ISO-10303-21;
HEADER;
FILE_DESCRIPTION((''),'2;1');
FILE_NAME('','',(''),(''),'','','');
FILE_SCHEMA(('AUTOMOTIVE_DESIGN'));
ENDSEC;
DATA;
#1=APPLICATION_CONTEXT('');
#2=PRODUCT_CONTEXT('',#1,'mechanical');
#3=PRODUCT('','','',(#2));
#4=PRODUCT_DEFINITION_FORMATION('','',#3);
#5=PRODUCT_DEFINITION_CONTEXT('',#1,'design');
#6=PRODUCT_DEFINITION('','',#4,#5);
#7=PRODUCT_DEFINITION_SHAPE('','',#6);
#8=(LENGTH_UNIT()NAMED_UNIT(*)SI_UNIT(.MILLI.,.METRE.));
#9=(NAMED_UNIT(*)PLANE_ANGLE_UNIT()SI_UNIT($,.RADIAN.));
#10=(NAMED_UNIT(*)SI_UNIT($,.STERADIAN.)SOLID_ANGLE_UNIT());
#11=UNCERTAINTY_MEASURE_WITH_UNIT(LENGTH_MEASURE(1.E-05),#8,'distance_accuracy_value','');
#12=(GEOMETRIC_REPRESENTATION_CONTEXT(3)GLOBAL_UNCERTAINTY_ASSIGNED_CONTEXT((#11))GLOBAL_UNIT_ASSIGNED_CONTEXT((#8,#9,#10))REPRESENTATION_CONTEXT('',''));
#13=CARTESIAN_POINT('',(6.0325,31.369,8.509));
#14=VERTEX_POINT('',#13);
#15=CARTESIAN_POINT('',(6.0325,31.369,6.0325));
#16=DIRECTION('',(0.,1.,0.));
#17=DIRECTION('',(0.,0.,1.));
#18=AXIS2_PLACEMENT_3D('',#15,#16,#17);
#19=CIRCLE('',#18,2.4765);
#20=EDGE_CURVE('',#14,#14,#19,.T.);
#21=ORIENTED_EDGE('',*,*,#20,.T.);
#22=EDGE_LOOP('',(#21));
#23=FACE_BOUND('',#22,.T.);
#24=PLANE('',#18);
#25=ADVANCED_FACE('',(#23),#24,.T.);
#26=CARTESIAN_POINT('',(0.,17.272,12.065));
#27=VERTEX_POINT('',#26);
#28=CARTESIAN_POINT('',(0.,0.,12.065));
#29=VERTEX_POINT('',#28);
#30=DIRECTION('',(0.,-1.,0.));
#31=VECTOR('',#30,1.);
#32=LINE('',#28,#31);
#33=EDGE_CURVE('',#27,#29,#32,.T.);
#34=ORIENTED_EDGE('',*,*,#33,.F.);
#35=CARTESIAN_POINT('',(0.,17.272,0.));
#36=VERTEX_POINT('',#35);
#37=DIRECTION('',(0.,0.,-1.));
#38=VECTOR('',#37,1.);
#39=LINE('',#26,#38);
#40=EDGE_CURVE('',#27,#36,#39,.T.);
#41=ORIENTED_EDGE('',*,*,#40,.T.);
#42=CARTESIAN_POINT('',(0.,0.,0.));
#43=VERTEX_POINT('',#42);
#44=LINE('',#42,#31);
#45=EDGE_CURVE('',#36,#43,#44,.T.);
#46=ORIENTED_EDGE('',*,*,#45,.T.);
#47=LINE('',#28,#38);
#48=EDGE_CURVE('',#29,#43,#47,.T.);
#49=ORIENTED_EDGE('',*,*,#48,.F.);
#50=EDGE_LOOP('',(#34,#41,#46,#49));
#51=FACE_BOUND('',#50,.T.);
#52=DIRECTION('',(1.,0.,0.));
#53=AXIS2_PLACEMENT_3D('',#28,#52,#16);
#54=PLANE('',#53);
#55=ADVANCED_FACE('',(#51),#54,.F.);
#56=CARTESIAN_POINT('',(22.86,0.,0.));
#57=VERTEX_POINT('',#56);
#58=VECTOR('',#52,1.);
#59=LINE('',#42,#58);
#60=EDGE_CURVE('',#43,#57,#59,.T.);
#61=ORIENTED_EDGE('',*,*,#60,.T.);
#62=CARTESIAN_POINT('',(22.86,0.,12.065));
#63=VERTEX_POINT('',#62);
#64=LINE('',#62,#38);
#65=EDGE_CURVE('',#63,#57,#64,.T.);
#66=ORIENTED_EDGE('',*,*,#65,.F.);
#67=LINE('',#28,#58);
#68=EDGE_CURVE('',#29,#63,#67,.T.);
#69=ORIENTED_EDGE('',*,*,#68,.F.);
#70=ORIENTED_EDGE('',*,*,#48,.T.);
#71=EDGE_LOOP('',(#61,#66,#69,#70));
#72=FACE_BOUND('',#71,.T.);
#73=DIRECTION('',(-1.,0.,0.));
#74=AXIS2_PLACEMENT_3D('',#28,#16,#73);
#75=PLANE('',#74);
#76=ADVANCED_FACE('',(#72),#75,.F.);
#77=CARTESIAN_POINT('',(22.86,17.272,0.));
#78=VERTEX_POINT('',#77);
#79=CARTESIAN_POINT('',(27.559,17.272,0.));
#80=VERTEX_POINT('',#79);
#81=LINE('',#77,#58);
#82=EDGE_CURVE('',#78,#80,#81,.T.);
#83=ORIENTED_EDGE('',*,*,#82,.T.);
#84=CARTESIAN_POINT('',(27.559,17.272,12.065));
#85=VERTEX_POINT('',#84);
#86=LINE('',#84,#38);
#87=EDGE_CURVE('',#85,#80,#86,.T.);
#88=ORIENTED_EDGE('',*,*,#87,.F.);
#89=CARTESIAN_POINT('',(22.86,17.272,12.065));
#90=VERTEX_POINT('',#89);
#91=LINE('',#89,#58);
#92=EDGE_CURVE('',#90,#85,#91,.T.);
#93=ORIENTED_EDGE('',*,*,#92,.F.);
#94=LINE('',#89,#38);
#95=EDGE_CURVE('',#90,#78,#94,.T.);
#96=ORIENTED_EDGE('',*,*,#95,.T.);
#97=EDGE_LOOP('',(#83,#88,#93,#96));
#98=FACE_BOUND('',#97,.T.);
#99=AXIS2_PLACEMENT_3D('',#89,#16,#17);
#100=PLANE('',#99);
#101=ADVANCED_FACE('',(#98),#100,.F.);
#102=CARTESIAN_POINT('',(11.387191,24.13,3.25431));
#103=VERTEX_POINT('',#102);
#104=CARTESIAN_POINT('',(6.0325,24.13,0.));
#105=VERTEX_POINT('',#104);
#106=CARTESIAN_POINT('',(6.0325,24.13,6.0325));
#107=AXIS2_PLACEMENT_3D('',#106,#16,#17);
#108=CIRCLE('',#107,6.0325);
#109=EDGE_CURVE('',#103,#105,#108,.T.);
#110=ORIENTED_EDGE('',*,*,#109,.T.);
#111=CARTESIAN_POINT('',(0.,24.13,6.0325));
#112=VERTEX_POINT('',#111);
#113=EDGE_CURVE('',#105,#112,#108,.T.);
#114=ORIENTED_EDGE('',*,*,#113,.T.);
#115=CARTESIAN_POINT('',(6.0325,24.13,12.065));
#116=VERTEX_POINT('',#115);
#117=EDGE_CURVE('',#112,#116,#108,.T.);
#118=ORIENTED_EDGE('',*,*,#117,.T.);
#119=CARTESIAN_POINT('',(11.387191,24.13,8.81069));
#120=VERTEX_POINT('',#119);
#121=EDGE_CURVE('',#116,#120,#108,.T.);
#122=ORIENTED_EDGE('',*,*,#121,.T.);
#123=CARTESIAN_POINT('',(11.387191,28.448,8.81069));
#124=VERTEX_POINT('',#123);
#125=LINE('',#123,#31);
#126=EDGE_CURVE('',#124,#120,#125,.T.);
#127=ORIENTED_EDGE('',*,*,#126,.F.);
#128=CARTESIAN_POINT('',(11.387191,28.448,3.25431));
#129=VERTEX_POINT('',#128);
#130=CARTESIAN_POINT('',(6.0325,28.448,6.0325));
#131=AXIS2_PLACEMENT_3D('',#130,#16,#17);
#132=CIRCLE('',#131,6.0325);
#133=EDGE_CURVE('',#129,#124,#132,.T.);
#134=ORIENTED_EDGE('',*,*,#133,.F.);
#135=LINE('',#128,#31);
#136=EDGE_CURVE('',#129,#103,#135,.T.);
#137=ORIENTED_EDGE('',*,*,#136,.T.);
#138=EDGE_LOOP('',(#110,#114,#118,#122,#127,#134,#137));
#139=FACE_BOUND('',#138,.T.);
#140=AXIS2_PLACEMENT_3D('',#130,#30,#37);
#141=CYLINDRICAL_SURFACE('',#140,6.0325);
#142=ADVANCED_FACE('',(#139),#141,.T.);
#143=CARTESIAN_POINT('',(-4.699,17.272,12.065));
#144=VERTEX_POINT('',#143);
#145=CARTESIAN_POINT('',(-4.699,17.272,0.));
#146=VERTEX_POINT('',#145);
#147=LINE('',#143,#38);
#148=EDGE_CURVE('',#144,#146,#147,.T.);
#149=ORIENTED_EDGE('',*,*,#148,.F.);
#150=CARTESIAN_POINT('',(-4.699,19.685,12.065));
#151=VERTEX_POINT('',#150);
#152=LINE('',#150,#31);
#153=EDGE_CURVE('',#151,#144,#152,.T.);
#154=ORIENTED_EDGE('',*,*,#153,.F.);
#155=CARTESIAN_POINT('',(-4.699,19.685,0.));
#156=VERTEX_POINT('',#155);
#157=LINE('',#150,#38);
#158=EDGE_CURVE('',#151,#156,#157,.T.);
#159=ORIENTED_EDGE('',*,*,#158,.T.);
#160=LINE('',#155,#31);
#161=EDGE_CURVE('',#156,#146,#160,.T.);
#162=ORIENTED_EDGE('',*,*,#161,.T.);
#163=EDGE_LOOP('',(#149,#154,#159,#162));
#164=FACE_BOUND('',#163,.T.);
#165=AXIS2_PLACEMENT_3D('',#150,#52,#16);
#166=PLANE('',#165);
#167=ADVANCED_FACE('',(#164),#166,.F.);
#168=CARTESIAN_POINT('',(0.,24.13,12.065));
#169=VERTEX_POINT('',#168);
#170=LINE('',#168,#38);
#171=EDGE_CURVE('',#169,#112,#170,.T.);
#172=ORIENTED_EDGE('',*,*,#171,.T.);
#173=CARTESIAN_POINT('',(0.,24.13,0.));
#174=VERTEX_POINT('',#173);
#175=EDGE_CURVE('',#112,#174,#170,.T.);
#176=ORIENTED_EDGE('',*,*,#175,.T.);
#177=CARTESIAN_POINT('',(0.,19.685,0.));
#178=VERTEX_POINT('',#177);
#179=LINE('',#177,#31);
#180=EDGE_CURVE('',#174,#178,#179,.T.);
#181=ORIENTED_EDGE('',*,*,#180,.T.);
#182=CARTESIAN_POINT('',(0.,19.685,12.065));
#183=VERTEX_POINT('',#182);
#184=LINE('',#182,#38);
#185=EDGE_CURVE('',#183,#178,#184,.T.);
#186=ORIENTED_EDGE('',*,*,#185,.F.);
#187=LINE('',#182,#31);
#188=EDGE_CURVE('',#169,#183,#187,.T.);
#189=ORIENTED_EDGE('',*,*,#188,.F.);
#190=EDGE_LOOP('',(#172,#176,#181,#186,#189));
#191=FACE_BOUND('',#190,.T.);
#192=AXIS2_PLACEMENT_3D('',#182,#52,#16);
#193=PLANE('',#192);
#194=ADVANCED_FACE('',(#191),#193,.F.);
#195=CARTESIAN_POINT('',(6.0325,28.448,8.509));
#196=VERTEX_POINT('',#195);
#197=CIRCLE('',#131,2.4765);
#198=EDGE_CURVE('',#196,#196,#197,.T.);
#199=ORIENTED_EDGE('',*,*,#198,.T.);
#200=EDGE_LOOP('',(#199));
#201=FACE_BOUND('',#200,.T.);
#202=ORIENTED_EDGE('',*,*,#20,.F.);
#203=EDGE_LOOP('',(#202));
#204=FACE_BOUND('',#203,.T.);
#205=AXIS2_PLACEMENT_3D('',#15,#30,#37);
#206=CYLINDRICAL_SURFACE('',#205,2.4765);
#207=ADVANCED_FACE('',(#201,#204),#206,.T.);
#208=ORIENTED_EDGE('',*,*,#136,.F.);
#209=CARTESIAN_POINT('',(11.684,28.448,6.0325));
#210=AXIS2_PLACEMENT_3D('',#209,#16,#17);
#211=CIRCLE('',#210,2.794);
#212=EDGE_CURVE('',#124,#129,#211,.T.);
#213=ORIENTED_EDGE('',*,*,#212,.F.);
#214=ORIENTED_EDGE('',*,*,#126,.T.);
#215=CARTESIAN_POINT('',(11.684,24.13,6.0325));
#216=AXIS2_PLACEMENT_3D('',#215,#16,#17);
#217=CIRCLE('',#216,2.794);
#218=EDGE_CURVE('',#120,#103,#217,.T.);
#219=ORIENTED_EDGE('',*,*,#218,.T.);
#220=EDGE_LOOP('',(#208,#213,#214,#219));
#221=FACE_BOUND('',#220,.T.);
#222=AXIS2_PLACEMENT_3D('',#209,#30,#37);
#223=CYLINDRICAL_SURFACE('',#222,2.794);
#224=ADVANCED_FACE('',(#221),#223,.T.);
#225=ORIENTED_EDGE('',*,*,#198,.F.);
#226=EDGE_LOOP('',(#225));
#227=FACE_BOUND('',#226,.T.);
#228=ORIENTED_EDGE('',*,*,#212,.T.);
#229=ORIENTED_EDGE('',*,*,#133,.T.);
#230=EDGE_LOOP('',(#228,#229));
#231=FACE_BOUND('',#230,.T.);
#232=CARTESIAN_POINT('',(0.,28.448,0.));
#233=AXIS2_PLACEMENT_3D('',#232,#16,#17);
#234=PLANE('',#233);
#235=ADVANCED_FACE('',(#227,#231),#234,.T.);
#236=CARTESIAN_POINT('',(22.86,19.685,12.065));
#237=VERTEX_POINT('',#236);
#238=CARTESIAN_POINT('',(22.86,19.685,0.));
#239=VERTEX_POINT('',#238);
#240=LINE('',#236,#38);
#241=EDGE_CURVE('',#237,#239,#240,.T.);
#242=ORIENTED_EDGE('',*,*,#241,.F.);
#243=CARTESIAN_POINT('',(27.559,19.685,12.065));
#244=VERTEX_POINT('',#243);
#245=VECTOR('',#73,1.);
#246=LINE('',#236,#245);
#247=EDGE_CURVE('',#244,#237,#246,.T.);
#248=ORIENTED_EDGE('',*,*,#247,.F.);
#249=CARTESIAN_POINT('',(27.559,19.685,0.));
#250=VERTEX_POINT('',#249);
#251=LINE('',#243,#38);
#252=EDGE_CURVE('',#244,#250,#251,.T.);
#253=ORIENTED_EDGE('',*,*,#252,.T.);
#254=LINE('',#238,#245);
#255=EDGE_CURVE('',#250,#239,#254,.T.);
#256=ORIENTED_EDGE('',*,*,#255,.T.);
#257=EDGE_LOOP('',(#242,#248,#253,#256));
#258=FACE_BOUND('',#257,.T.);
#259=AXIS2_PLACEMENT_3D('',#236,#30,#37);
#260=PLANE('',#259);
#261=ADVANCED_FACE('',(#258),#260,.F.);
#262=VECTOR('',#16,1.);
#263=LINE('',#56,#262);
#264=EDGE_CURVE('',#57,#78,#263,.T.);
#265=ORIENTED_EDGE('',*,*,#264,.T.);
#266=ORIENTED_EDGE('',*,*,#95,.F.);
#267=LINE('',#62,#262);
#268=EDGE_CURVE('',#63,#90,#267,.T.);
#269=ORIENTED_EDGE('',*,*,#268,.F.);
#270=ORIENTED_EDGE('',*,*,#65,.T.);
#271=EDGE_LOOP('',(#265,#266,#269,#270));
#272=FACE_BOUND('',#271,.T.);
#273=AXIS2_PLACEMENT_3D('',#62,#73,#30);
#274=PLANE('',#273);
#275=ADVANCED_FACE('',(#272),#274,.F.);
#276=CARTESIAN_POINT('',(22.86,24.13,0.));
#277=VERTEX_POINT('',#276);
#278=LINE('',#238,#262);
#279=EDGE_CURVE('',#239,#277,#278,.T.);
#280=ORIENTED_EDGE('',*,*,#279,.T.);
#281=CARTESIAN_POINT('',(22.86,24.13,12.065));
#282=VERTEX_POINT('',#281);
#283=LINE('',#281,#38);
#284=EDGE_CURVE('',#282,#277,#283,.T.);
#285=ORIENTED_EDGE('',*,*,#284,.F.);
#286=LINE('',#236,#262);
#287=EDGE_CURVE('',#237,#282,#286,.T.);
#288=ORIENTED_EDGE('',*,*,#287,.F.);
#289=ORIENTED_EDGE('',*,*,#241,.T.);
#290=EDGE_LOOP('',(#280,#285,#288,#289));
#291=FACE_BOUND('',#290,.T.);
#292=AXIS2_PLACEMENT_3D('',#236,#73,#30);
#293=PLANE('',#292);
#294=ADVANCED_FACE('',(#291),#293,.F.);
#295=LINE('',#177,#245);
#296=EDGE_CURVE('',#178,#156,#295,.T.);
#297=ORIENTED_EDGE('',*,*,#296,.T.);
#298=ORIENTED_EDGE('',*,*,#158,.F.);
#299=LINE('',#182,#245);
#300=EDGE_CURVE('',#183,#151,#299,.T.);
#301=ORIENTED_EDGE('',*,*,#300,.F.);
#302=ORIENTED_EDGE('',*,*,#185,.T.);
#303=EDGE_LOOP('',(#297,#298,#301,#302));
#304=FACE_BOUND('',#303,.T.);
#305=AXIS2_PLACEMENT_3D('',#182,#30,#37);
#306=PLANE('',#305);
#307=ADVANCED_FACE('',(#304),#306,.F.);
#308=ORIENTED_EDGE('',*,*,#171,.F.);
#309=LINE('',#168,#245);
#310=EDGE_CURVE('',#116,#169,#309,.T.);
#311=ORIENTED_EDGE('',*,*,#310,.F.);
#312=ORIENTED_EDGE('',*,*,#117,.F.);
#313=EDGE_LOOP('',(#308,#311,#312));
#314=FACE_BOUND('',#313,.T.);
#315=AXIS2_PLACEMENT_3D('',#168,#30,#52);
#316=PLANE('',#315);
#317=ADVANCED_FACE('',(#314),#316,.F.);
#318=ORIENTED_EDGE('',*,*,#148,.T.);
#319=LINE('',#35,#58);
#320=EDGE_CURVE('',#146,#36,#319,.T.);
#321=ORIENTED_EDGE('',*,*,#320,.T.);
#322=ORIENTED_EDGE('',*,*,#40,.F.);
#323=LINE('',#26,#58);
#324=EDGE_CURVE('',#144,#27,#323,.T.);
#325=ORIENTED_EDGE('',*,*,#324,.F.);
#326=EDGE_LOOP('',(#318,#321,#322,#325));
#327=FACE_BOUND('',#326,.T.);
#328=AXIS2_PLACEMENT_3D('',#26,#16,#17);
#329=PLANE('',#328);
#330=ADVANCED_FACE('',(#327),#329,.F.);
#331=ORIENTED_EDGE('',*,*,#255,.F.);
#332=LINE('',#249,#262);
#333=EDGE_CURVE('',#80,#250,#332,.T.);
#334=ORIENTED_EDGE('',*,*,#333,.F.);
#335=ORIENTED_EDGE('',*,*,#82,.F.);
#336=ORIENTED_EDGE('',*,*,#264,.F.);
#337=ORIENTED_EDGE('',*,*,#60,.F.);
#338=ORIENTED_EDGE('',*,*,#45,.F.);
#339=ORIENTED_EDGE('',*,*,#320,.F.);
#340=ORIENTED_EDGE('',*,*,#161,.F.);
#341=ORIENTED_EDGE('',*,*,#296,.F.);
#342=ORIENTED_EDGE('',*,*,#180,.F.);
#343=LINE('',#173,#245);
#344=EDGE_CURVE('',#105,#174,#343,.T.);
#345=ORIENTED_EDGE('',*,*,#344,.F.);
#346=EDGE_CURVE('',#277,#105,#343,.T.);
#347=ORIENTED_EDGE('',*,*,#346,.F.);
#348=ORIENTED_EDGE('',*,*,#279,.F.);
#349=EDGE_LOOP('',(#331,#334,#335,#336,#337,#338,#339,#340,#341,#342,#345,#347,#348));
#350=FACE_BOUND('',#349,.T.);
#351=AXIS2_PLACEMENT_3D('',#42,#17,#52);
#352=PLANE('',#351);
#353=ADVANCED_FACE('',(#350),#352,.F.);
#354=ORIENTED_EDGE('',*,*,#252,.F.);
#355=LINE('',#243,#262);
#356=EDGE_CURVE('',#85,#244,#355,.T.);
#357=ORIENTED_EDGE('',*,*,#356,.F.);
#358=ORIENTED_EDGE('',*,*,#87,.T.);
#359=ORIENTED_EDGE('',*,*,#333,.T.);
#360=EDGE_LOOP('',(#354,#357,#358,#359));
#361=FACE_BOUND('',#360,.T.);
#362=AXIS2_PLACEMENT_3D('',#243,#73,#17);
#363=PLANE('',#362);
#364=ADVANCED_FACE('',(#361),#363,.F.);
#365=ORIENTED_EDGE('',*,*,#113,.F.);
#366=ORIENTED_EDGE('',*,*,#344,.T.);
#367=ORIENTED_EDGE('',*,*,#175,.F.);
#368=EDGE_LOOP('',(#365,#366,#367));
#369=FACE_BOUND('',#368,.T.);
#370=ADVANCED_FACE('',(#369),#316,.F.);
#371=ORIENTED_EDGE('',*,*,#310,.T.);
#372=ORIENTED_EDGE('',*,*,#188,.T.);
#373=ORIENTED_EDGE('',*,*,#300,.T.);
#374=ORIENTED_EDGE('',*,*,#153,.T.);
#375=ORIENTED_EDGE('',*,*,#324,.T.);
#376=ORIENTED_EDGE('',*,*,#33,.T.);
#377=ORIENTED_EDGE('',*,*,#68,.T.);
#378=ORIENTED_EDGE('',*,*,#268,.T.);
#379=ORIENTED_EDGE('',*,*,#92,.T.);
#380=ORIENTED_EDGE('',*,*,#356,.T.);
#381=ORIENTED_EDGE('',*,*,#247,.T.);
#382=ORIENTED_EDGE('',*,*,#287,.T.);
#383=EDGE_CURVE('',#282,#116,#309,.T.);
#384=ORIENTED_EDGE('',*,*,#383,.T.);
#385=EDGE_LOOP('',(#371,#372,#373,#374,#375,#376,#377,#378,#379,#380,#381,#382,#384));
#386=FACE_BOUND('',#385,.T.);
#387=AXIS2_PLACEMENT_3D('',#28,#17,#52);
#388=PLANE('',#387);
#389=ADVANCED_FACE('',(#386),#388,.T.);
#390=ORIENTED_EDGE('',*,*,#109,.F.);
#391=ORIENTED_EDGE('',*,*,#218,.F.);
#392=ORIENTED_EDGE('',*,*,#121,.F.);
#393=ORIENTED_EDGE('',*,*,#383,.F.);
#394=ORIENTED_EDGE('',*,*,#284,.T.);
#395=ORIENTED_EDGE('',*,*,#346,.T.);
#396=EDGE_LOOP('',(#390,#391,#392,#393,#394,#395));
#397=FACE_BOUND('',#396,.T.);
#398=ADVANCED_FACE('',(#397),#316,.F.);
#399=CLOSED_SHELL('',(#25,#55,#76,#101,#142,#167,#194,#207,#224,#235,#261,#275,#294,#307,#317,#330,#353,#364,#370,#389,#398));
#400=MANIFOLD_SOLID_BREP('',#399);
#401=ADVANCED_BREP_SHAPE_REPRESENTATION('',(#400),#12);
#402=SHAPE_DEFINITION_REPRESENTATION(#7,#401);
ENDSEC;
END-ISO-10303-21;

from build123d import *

# Parameters (mm, degrees)
BOSS_EXTRUDE1_DEPTH = 12.065
BOSS_EXTRUDE2_DEPTH = 4.318
SKETCH3_R           = 2.4765
BOSS_EXTRUDE3_DEPTH = 2.921


with BuildPart() as part:
    # Sketch1 → Boss-Extrude1 (new body)
    with BuildSketch(Plane.XY):
        Polygon((0, 0), (22.86, 0), (22.86, 17.272), (27.559, 17.272), (27.559, 19.685), (22.86, 19.685), (22.86, 24.13), (0, 24.13), (0, 19.685), (-4.699, 19.685), (-4.699, 17.272), (0, 17.272), align=None)
    extrude(amount=BOSS_EXTRUDE1_DEPTH)

    # Sketch2 → Boss-Extrude2 (add)
    with BuildSketch(Plane(origin=(0, 24.13, 0), x_dir=(1, 0, 0), z_dir=(0, 1, 0))):
        with BuildLine():
            ThreePointArc((11.387191011, -8.810690135), (14.478, -6.0325), (11.387191011, -3.254309865))
            ThreePointArc((11.387191011, -3.254309865), (0, -6.0325), (11.387191011, -8.810690135))
        make_face()
    extrude(amount=BOSS_EXTRUDE2_DEPTH)

    # Sketch3 → Boss-Extrude3 (add)
    with BuildSketch(Plane(origin=(0, 28.448, 0), x_dir=(1, 0, 0), z_dir=(0, 1, 0))):
        with Locations((6.0325, -6.0325)):
            Circle(SKETCH3_R)
    extrude(amount=BOSS_EXTRUDE3_DEPTH)


solid = part.part
